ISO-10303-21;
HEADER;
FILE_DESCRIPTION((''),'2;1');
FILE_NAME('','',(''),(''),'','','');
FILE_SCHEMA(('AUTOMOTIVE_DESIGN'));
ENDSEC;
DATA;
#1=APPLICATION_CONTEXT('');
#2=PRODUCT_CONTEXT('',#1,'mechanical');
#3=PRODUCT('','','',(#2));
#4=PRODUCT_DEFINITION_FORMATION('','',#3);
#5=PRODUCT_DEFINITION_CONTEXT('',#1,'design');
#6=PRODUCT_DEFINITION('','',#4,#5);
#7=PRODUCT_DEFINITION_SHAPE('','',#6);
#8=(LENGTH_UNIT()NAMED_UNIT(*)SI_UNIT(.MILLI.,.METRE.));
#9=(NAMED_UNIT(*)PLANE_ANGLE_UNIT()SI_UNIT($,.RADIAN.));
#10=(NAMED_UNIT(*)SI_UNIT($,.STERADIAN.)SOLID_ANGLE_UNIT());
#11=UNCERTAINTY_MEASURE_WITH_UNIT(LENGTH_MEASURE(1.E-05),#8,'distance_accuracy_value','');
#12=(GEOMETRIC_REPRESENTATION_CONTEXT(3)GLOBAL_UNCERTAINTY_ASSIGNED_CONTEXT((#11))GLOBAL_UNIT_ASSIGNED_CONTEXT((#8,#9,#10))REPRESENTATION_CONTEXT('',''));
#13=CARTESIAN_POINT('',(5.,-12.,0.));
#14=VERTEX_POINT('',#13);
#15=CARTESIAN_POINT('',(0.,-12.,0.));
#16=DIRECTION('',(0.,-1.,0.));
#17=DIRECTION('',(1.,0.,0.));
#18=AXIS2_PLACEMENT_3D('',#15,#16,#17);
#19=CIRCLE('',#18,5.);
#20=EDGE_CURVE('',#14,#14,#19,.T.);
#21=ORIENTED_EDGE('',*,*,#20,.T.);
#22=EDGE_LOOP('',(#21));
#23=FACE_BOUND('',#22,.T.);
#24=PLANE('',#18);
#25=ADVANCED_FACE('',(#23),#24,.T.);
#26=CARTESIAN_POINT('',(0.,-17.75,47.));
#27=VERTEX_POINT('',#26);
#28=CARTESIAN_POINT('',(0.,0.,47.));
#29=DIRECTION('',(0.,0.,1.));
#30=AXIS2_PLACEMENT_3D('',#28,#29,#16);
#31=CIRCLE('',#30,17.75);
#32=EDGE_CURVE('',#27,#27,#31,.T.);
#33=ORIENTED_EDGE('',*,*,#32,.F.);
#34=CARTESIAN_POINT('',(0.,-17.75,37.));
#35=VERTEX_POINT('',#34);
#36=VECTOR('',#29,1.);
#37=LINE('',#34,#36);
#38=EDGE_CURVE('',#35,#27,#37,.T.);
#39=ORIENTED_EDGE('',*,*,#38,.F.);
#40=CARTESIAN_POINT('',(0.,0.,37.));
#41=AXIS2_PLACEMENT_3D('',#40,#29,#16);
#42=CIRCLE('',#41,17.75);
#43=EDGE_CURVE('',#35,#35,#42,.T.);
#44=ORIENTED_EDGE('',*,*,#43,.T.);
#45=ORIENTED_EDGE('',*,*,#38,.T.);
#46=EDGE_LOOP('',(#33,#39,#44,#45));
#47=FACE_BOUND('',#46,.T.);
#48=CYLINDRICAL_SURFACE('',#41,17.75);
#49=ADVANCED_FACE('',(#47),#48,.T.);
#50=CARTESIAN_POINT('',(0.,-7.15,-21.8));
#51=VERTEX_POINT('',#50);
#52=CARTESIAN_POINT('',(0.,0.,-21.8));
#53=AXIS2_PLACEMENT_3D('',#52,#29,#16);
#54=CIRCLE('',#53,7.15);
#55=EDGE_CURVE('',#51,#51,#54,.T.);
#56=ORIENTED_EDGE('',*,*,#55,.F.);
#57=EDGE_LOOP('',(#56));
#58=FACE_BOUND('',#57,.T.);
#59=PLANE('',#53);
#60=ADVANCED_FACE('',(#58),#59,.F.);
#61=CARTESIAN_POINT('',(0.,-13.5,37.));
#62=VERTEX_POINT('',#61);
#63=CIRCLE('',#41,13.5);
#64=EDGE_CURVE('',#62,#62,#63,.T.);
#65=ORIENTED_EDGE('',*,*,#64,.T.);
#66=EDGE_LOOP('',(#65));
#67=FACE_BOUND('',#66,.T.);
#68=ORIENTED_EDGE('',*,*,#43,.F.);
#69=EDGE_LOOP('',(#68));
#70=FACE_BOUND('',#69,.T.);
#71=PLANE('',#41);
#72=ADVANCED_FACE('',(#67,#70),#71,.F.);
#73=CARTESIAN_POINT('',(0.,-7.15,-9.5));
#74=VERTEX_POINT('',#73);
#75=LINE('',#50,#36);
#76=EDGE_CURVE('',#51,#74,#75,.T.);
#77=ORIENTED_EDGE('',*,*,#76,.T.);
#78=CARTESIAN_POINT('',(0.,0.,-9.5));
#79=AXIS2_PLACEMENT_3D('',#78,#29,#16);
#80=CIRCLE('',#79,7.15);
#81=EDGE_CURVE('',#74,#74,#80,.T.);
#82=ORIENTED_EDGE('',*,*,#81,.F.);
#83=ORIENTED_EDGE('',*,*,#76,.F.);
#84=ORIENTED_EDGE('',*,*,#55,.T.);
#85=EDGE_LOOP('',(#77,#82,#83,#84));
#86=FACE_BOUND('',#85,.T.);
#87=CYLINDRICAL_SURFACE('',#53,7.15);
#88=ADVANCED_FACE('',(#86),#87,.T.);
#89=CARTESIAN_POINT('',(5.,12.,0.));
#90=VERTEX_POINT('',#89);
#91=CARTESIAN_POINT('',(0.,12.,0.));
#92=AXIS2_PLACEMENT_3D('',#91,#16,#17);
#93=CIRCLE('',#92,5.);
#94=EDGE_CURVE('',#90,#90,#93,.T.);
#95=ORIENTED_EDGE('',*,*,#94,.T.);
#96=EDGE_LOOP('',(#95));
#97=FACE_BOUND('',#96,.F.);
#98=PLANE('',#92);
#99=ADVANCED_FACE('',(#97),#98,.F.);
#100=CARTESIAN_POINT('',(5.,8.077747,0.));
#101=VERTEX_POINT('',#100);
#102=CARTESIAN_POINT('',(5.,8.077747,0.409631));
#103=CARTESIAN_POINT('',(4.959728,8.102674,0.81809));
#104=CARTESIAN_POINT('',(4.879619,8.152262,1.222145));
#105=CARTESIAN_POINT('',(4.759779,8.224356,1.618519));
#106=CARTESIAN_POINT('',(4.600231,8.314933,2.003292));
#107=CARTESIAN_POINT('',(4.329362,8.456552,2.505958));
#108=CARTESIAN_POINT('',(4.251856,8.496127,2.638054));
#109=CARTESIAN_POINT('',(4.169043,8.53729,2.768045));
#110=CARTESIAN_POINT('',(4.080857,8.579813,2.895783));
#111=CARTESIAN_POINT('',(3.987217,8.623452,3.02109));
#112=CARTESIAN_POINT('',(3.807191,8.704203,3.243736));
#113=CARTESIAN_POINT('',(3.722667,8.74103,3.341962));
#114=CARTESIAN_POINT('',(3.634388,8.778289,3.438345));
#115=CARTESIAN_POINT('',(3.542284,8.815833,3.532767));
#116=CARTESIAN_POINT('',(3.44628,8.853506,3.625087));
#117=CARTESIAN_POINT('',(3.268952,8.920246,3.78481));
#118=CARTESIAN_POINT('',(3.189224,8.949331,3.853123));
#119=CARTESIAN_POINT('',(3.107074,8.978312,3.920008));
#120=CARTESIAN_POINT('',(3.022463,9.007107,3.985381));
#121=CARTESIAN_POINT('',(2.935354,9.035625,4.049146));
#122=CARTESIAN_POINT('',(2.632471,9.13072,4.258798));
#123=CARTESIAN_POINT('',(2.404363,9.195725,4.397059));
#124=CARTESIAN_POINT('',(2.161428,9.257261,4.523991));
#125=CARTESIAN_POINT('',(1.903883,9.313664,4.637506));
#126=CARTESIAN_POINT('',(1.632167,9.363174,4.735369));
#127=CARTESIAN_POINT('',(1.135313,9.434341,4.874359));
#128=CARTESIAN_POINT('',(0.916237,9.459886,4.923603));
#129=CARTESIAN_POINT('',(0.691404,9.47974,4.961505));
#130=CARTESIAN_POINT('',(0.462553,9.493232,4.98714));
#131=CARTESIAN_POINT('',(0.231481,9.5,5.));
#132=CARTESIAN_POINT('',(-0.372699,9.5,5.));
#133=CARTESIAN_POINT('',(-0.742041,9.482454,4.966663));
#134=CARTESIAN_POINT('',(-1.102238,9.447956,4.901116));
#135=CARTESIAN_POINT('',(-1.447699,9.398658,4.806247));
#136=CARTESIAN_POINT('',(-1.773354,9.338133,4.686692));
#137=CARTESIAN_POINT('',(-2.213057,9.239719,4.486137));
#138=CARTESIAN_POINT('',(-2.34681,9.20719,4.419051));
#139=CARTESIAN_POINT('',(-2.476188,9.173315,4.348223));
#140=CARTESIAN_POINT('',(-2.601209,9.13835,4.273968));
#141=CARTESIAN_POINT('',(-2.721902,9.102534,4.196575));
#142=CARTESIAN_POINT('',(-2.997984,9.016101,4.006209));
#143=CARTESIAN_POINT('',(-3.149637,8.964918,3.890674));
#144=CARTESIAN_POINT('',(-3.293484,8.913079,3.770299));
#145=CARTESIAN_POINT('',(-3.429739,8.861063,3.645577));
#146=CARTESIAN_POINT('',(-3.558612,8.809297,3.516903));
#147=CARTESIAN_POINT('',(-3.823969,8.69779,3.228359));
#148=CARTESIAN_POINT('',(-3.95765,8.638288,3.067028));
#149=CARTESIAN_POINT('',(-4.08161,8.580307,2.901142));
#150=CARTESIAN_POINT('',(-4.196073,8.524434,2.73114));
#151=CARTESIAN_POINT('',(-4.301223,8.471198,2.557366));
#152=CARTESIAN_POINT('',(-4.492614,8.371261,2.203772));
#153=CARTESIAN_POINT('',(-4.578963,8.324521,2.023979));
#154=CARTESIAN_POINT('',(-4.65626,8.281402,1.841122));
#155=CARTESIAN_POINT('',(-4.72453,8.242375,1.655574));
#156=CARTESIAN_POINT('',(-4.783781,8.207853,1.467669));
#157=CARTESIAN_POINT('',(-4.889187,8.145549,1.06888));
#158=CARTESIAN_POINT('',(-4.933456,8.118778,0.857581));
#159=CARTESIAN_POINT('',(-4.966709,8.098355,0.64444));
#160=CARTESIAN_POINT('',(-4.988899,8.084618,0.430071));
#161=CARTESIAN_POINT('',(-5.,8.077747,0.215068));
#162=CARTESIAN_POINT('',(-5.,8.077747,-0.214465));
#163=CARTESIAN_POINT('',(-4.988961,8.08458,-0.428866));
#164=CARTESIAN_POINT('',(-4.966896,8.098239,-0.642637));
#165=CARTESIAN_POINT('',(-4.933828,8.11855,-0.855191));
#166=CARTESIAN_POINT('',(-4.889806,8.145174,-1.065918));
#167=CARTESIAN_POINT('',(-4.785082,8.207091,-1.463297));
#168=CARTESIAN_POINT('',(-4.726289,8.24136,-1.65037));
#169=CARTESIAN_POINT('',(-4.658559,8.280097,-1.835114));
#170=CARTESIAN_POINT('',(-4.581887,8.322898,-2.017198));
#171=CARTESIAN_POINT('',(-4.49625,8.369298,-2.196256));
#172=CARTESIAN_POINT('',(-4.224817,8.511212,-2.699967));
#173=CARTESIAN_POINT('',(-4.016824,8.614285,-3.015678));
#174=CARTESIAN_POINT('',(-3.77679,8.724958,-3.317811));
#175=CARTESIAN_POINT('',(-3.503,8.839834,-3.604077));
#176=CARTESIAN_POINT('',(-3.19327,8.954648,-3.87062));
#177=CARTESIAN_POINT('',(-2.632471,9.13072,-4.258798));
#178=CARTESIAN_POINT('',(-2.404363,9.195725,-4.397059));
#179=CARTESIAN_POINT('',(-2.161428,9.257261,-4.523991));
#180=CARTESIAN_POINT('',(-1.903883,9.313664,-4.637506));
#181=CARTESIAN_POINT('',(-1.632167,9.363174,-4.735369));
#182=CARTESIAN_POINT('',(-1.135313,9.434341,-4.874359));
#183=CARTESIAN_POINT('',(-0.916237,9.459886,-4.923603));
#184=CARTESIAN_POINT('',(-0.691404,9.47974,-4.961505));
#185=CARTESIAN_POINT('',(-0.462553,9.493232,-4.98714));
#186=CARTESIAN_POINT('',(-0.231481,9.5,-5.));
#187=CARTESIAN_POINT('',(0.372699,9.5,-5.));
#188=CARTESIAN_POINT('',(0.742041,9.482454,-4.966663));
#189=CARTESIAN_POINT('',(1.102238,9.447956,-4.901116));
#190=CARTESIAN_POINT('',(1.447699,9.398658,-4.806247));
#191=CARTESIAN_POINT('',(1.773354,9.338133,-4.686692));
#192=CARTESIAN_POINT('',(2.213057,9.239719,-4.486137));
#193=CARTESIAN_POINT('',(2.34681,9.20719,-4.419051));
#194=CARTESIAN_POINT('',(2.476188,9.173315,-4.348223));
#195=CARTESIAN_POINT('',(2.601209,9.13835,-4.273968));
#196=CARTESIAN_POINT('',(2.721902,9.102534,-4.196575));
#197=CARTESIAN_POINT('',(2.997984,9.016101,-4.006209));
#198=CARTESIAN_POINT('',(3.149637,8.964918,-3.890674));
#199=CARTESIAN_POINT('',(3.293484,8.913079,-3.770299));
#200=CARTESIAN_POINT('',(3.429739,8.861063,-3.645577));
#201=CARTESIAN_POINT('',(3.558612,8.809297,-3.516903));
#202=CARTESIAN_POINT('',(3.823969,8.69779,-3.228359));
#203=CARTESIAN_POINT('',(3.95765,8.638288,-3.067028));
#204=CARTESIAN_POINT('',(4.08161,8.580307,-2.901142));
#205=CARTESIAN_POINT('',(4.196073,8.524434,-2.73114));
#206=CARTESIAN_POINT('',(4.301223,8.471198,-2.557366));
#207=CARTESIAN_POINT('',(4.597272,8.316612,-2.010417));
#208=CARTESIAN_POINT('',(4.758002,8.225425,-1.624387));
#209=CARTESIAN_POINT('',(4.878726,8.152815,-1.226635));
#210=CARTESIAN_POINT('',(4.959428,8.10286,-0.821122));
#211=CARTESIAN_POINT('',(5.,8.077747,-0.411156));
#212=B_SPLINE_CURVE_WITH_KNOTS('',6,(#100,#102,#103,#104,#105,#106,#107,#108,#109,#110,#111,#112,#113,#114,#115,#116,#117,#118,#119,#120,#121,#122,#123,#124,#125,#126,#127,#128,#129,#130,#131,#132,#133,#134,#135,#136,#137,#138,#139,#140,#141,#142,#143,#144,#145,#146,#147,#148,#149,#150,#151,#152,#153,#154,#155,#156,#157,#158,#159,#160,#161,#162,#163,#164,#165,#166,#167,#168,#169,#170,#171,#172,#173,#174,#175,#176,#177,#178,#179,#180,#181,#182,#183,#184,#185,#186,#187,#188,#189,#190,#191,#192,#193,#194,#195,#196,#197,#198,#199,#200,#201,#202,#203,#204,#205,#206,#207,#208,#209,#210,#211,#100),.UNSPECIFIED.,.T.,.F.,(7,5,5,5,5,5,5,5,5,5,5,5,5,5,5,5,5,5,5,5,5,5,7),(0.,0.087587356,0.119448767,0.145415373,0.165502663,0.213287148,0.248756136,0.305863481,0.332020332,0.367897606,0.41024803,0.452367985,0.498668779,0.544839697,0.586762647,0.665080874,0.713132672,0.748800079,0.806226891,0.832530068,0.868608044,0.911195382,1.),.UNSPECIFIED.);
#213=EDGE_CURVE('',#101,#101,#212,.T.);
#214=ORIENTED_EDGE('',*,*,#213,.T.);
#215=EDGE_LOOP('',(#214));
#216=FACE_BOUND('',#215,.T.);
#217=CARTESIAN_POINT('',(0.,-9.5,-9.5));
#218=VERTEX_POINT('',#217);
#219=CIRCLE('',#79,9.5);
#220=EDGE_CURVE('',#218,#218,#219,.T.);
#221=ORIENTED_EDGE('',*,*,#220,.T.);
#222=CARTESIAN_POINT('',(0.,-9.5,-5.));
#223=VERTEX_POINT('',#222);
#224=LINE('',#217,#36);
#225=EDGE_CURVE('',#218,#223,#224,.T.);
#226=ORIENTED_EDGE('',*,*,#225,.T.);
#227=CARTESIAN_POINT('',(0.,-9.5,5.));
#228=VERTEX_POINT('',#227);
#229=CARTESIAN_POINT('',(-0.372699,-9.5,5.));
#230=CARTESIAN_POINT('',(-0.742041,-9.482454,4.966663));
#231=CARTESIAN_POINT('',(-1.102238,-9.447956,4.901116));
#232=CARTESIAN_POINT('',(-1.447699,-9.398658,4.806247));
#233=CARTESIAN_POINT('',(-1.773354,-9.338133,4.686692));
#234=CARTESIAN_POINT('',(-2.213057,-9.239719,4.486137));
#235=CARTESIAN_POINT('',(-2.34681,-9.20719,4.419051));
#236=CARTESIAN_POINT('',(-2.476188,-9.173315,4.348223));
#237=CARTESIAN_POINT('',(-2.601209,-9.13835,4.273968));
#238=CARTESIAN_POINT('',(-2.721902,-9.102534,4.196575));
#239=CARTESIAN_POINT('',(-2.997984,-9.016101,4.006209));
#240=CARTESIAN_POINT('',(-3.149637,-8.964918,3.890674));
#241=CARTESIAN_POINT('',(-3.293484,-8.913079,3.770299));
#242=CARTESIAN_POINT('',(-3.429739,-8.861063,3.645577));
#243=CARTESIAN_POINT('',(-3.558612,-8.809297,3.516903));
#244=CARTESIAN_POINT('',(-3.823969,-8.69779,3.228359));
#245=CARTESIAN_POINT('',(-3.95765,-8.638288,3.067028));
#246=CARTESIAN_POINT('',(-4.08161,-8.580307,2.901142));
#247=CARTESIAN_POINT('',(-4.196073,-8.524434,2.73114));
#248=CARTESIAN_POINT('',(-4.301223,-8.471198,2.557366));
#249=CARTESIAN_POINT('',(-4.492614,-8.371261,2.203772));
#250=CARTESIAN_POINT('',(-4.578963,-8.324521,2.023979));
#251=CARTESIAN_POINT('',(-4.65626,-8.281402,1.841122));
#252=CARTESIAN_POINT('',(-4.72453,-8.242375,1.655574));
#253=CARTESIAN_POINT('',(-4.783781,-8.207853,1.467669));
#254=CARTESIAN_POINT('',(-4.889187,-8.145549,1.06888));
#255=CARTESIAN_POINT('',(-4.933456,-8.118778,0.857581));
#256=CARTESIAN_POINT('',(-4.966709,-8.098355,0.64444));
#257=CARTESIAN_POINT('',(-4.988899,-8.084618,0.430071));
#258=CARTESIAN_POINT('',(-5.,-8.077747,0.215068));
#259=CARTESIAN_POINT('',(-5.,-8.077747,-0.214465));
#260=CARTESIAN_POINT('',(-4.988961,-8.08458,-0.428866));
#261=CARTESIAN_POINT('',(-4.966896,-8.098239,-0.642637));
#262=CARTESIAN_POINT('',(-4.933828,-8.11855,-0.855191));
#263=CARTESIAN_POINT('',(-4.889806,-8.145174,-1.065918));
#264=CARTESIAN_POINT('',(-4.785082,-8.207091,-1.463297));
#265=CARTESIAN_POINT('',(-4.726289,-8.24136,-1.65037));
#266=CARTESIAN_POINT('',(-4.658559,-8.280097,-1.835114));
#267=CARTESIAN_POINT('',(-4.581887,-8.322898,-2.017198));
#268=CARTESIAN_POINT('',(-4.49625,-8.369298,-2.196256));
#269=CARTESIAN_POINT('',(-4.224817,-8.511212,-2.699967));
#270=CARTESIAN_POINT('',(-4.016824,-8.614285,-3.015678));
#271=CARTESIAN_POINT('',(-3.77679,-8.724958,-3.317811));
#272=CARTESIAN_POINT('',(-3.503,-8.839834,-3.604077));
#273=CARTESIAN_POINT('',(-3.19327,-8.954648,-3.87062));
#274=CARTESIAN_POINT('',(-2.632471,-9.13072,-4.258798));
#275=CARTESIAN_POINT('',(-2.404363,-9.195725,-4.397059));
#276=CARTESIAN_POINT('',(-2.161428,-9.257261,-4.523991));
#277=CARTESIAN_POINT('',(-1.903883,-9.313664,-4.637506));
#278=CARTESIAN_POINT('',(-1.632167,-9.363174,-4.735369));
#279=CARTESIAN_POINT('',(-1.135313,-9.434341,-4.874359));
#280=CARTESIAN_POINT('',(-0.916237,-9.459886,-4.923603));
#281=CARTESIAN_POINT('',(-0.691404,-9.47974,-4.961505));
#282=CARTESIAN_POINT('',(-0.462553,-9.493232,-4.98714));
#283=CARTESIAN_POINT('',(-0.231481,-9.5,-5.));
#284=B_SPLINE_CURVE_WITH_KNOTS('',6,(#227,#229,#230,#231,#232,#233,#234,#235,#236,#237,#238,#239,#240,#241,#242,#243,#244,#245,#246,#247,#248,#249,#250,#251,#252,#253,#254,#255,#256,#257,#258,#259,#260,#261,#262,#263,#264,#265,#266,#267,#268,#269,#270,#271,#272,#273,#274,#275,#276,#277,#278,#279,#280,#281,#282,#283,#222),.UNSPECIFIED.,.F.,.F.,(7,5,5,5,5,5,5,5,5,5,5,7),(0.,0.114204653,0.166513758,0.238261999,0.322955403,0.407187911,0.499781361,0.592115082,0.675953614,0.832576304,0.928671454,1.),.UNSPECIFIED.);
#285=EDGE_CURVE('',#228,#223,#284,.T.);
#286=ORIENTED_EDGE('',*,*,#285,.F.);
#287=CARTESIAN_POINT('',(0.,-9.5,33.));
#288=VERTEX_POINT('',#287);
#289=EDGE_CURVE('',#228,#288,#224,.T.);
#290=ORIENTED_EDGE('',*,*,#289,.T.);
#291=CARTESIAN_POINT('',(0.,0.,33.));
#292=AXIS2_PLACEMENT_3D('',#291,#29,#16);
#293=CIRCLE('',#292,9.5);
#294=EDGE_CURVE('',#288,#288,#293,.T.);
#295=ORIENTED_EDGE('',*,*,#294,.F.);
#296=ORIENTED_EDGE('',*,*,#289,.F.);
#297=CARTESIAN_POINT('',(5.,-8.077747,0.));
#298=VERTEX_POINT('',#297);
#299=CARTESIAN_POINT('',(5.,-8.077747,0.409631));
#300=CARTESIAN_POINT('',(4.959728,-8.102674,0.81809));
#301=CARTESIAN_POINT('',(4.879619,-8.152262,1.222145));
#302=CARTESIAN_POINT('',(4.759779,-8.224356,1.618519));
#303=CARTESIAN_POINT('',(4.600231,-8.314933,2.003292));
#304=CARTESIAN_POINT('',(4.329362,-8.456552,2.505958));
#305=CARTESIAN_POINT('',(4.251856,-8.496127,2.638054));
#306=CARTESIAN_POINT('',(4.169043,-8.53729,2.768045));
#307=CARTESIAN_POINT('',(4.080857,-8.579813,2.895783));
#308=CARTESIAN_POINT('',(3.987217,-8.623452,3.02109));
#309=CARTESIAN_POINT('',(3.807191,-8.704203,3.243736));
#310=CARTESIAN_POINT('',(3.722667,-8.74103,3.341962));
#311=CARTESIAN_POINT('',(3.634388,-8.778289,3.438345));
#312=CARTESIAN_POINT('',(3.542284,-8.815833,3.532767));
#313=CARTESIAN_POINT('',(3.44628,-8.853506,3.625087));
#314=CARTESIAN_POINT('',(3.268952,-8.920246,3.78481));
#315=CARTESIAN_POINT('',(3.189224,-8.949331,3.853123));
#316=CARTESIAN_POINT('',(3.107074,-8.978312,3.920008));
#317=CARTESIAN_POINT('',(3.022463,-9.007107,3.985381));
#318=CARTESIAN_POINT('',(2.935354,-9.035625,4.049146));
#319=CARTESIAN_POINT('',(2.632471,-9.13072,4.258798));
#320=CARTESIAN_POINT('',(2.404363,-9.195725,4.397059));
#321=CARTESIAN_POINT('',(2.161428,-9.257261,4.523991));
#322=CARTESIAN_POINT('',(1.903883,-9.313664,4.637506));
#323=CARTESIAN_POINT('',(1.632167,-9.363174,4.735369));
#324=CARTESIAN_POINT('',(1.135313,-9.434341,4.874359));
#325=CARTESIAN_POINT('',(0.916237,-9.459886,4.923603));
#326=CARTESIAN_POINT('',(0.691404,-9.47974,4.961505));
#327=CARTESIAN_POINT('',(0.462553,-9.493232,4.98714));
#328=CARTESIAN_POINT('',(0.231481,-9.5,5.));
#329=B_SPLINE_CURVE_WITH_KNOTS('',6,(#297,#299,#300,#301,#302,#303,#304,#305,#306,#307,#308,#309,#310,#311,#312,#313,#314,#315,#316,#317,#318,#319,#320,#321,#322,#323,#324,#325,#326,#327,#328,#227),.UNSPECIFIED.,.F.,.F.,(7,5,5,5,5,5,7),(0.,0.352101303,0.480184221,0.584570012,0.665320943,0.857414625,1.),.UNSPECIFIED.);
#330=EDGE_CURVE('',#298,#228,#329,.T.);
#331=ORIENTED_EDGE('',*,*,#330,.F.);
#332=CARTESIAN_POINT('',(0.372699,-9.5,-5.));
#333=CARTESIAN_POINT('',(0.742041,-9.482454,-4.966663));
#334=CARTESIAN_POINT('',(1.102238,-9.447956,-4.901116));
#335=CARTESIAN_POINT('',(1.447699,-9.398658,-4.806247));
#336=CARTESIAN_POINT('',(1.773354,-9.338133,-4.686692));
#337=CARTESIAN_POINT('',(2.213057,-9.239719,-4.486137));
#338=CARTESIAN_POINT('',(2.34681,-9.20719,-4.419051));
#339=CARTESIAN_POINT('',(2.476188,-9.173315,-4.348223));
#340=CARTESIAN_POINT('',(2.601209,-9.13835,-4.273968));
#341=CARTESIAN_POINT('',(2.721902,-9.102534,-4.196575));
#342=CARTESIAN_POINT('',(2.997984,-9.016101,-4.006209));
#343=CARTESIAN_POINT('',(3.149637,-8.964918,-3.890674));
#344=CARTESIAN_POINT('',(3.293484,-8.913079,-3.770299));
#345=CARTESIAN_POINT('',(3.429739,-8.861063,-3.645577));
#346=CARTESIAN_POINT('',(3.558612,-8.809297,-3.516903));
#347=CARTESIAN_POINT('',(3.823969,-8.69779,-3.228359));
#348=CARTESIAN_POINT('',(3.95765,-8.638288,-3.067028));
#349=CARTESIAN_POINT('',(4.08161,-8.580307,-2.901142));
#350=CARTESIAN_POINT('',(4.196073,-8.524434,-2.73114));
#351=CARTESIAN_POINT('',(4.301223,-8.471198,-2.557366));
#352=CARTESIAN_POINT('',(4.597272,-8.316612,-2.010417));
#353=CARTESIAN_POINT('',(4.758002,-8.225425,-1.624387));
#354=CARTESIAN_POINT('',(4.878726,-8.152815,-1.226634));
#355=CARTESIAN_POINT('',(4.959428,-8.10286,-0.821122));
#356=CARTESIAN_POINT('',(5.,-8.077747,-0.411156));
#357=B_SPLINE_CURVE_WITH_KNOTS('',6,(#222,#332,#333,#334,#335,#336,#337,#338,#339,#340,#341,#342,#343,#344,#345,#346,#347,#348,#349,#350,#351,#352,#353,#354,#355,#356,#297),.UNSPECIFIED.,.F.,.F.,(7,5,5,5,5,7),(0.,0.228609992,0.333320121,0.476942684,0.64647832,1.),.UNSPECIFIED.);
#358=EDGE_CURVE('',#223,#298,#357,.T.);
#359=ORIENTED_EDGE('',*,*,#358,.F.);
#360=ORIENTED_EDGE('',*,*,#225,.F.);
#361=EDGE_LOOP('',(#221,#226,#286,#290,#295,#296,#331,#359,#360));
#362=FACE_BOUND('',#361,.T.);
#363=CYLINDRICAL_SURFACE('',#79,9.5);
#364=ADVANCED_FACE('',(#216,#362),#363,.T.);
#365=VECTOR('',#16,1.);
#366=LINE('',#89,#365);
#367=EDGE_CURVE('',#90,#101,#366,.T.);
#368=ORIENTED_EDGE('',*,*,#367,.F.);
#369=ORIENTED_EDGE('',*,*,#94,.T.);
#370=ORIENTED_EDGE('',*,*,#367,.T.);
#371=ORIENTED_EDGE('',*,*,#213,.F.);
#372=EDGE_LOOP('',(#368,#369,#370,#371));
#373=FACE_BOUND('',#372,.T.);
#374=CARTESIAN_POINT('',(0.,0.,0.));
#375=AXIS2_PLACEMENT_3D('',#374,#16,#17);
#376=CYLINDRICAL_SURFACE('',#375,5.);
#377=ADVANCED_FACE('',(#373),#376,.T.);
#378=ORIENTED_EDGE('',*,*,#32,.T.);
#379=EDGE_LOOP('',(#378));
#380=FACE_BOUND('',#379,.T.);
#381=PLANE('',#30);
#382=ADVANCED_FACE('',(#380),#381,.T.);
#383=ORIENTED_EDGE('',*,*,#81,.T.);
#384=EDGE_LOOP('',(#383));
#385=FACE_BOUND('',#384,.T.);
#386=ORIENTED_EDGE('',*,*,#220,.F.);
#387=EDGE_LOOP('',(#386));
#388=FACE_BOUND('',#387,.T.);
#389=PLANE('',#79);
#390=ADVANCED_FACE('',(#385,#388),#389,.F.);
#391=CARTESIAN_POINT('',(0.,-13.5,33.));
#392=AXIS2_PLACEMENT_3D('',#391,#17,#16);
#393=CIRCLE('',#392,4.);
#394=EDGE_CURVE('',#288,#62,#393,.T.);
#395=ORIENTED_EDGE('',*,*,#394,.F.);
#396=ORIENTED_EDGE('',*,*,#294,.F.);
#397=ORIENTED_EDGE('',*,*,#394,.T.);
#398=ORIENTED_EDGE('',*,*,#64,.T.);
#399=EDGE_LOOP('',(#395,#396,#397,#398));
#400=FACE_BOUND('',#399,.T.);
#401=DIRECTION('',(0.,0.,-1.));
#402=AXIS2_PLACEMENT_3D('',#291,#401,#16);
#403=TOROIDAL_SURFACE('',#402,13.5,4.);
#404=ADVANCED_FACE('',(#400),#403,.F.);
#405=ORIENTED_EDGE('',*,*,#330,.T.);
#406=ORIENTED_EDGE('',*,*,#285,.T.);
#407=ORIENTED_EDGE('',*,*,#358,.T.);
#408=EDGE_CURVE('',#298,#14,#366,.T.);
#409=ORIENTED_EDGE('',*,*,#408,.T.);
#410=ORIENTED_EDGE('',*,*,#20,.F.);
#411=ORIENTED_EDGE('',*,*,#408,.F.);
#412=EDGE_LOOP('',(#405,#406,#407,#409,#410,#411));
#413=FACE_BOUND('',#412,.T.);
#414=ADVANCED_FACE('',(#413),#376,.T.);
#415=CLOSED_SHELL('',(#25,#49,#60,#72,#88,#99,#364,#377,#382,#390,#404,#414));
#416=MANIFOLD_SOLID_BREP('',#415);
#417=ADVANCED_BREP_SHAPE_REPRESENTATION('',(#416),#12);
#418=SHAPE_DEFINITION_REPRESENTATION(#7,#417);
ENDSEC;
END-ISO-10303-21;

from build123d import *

# Parameters (mm, degrees)
SKETCH102_R  = 5
PAD032_DEPTH = 12
FILLET001_R  = 4


with BuildPart() as part:
    # Sketch101 → Revolution001 (revolve)
    with BuildSketch(Plane.YZ):
        Polygon((-7.15, -9.5), (-9.5, -9.5), (-9.5, 37), (-17.75, 37), (-17.75, 47), (0, 47), (0, -21.8), (-7.15, -21.8), align=None)
    revolve(axis=Axis((0, 0, 0), (0, 0, 1)))

    # Sketch102 → Pad032 (new body, symmetric)
    with BuildSketch(Plane.XZ):
        Circle(SKETCH102_R)
    extrude(amount=PAD032_DEPTH, both=True)

    # Fillet001
    fillet001_edges = [part.edges().sort_by_distance(p)[0] for p in [
        (0, 9.5, 37),
    ]]
    fillet(fillet001_edges, radius=FILLET001_R)


solid = part.part
